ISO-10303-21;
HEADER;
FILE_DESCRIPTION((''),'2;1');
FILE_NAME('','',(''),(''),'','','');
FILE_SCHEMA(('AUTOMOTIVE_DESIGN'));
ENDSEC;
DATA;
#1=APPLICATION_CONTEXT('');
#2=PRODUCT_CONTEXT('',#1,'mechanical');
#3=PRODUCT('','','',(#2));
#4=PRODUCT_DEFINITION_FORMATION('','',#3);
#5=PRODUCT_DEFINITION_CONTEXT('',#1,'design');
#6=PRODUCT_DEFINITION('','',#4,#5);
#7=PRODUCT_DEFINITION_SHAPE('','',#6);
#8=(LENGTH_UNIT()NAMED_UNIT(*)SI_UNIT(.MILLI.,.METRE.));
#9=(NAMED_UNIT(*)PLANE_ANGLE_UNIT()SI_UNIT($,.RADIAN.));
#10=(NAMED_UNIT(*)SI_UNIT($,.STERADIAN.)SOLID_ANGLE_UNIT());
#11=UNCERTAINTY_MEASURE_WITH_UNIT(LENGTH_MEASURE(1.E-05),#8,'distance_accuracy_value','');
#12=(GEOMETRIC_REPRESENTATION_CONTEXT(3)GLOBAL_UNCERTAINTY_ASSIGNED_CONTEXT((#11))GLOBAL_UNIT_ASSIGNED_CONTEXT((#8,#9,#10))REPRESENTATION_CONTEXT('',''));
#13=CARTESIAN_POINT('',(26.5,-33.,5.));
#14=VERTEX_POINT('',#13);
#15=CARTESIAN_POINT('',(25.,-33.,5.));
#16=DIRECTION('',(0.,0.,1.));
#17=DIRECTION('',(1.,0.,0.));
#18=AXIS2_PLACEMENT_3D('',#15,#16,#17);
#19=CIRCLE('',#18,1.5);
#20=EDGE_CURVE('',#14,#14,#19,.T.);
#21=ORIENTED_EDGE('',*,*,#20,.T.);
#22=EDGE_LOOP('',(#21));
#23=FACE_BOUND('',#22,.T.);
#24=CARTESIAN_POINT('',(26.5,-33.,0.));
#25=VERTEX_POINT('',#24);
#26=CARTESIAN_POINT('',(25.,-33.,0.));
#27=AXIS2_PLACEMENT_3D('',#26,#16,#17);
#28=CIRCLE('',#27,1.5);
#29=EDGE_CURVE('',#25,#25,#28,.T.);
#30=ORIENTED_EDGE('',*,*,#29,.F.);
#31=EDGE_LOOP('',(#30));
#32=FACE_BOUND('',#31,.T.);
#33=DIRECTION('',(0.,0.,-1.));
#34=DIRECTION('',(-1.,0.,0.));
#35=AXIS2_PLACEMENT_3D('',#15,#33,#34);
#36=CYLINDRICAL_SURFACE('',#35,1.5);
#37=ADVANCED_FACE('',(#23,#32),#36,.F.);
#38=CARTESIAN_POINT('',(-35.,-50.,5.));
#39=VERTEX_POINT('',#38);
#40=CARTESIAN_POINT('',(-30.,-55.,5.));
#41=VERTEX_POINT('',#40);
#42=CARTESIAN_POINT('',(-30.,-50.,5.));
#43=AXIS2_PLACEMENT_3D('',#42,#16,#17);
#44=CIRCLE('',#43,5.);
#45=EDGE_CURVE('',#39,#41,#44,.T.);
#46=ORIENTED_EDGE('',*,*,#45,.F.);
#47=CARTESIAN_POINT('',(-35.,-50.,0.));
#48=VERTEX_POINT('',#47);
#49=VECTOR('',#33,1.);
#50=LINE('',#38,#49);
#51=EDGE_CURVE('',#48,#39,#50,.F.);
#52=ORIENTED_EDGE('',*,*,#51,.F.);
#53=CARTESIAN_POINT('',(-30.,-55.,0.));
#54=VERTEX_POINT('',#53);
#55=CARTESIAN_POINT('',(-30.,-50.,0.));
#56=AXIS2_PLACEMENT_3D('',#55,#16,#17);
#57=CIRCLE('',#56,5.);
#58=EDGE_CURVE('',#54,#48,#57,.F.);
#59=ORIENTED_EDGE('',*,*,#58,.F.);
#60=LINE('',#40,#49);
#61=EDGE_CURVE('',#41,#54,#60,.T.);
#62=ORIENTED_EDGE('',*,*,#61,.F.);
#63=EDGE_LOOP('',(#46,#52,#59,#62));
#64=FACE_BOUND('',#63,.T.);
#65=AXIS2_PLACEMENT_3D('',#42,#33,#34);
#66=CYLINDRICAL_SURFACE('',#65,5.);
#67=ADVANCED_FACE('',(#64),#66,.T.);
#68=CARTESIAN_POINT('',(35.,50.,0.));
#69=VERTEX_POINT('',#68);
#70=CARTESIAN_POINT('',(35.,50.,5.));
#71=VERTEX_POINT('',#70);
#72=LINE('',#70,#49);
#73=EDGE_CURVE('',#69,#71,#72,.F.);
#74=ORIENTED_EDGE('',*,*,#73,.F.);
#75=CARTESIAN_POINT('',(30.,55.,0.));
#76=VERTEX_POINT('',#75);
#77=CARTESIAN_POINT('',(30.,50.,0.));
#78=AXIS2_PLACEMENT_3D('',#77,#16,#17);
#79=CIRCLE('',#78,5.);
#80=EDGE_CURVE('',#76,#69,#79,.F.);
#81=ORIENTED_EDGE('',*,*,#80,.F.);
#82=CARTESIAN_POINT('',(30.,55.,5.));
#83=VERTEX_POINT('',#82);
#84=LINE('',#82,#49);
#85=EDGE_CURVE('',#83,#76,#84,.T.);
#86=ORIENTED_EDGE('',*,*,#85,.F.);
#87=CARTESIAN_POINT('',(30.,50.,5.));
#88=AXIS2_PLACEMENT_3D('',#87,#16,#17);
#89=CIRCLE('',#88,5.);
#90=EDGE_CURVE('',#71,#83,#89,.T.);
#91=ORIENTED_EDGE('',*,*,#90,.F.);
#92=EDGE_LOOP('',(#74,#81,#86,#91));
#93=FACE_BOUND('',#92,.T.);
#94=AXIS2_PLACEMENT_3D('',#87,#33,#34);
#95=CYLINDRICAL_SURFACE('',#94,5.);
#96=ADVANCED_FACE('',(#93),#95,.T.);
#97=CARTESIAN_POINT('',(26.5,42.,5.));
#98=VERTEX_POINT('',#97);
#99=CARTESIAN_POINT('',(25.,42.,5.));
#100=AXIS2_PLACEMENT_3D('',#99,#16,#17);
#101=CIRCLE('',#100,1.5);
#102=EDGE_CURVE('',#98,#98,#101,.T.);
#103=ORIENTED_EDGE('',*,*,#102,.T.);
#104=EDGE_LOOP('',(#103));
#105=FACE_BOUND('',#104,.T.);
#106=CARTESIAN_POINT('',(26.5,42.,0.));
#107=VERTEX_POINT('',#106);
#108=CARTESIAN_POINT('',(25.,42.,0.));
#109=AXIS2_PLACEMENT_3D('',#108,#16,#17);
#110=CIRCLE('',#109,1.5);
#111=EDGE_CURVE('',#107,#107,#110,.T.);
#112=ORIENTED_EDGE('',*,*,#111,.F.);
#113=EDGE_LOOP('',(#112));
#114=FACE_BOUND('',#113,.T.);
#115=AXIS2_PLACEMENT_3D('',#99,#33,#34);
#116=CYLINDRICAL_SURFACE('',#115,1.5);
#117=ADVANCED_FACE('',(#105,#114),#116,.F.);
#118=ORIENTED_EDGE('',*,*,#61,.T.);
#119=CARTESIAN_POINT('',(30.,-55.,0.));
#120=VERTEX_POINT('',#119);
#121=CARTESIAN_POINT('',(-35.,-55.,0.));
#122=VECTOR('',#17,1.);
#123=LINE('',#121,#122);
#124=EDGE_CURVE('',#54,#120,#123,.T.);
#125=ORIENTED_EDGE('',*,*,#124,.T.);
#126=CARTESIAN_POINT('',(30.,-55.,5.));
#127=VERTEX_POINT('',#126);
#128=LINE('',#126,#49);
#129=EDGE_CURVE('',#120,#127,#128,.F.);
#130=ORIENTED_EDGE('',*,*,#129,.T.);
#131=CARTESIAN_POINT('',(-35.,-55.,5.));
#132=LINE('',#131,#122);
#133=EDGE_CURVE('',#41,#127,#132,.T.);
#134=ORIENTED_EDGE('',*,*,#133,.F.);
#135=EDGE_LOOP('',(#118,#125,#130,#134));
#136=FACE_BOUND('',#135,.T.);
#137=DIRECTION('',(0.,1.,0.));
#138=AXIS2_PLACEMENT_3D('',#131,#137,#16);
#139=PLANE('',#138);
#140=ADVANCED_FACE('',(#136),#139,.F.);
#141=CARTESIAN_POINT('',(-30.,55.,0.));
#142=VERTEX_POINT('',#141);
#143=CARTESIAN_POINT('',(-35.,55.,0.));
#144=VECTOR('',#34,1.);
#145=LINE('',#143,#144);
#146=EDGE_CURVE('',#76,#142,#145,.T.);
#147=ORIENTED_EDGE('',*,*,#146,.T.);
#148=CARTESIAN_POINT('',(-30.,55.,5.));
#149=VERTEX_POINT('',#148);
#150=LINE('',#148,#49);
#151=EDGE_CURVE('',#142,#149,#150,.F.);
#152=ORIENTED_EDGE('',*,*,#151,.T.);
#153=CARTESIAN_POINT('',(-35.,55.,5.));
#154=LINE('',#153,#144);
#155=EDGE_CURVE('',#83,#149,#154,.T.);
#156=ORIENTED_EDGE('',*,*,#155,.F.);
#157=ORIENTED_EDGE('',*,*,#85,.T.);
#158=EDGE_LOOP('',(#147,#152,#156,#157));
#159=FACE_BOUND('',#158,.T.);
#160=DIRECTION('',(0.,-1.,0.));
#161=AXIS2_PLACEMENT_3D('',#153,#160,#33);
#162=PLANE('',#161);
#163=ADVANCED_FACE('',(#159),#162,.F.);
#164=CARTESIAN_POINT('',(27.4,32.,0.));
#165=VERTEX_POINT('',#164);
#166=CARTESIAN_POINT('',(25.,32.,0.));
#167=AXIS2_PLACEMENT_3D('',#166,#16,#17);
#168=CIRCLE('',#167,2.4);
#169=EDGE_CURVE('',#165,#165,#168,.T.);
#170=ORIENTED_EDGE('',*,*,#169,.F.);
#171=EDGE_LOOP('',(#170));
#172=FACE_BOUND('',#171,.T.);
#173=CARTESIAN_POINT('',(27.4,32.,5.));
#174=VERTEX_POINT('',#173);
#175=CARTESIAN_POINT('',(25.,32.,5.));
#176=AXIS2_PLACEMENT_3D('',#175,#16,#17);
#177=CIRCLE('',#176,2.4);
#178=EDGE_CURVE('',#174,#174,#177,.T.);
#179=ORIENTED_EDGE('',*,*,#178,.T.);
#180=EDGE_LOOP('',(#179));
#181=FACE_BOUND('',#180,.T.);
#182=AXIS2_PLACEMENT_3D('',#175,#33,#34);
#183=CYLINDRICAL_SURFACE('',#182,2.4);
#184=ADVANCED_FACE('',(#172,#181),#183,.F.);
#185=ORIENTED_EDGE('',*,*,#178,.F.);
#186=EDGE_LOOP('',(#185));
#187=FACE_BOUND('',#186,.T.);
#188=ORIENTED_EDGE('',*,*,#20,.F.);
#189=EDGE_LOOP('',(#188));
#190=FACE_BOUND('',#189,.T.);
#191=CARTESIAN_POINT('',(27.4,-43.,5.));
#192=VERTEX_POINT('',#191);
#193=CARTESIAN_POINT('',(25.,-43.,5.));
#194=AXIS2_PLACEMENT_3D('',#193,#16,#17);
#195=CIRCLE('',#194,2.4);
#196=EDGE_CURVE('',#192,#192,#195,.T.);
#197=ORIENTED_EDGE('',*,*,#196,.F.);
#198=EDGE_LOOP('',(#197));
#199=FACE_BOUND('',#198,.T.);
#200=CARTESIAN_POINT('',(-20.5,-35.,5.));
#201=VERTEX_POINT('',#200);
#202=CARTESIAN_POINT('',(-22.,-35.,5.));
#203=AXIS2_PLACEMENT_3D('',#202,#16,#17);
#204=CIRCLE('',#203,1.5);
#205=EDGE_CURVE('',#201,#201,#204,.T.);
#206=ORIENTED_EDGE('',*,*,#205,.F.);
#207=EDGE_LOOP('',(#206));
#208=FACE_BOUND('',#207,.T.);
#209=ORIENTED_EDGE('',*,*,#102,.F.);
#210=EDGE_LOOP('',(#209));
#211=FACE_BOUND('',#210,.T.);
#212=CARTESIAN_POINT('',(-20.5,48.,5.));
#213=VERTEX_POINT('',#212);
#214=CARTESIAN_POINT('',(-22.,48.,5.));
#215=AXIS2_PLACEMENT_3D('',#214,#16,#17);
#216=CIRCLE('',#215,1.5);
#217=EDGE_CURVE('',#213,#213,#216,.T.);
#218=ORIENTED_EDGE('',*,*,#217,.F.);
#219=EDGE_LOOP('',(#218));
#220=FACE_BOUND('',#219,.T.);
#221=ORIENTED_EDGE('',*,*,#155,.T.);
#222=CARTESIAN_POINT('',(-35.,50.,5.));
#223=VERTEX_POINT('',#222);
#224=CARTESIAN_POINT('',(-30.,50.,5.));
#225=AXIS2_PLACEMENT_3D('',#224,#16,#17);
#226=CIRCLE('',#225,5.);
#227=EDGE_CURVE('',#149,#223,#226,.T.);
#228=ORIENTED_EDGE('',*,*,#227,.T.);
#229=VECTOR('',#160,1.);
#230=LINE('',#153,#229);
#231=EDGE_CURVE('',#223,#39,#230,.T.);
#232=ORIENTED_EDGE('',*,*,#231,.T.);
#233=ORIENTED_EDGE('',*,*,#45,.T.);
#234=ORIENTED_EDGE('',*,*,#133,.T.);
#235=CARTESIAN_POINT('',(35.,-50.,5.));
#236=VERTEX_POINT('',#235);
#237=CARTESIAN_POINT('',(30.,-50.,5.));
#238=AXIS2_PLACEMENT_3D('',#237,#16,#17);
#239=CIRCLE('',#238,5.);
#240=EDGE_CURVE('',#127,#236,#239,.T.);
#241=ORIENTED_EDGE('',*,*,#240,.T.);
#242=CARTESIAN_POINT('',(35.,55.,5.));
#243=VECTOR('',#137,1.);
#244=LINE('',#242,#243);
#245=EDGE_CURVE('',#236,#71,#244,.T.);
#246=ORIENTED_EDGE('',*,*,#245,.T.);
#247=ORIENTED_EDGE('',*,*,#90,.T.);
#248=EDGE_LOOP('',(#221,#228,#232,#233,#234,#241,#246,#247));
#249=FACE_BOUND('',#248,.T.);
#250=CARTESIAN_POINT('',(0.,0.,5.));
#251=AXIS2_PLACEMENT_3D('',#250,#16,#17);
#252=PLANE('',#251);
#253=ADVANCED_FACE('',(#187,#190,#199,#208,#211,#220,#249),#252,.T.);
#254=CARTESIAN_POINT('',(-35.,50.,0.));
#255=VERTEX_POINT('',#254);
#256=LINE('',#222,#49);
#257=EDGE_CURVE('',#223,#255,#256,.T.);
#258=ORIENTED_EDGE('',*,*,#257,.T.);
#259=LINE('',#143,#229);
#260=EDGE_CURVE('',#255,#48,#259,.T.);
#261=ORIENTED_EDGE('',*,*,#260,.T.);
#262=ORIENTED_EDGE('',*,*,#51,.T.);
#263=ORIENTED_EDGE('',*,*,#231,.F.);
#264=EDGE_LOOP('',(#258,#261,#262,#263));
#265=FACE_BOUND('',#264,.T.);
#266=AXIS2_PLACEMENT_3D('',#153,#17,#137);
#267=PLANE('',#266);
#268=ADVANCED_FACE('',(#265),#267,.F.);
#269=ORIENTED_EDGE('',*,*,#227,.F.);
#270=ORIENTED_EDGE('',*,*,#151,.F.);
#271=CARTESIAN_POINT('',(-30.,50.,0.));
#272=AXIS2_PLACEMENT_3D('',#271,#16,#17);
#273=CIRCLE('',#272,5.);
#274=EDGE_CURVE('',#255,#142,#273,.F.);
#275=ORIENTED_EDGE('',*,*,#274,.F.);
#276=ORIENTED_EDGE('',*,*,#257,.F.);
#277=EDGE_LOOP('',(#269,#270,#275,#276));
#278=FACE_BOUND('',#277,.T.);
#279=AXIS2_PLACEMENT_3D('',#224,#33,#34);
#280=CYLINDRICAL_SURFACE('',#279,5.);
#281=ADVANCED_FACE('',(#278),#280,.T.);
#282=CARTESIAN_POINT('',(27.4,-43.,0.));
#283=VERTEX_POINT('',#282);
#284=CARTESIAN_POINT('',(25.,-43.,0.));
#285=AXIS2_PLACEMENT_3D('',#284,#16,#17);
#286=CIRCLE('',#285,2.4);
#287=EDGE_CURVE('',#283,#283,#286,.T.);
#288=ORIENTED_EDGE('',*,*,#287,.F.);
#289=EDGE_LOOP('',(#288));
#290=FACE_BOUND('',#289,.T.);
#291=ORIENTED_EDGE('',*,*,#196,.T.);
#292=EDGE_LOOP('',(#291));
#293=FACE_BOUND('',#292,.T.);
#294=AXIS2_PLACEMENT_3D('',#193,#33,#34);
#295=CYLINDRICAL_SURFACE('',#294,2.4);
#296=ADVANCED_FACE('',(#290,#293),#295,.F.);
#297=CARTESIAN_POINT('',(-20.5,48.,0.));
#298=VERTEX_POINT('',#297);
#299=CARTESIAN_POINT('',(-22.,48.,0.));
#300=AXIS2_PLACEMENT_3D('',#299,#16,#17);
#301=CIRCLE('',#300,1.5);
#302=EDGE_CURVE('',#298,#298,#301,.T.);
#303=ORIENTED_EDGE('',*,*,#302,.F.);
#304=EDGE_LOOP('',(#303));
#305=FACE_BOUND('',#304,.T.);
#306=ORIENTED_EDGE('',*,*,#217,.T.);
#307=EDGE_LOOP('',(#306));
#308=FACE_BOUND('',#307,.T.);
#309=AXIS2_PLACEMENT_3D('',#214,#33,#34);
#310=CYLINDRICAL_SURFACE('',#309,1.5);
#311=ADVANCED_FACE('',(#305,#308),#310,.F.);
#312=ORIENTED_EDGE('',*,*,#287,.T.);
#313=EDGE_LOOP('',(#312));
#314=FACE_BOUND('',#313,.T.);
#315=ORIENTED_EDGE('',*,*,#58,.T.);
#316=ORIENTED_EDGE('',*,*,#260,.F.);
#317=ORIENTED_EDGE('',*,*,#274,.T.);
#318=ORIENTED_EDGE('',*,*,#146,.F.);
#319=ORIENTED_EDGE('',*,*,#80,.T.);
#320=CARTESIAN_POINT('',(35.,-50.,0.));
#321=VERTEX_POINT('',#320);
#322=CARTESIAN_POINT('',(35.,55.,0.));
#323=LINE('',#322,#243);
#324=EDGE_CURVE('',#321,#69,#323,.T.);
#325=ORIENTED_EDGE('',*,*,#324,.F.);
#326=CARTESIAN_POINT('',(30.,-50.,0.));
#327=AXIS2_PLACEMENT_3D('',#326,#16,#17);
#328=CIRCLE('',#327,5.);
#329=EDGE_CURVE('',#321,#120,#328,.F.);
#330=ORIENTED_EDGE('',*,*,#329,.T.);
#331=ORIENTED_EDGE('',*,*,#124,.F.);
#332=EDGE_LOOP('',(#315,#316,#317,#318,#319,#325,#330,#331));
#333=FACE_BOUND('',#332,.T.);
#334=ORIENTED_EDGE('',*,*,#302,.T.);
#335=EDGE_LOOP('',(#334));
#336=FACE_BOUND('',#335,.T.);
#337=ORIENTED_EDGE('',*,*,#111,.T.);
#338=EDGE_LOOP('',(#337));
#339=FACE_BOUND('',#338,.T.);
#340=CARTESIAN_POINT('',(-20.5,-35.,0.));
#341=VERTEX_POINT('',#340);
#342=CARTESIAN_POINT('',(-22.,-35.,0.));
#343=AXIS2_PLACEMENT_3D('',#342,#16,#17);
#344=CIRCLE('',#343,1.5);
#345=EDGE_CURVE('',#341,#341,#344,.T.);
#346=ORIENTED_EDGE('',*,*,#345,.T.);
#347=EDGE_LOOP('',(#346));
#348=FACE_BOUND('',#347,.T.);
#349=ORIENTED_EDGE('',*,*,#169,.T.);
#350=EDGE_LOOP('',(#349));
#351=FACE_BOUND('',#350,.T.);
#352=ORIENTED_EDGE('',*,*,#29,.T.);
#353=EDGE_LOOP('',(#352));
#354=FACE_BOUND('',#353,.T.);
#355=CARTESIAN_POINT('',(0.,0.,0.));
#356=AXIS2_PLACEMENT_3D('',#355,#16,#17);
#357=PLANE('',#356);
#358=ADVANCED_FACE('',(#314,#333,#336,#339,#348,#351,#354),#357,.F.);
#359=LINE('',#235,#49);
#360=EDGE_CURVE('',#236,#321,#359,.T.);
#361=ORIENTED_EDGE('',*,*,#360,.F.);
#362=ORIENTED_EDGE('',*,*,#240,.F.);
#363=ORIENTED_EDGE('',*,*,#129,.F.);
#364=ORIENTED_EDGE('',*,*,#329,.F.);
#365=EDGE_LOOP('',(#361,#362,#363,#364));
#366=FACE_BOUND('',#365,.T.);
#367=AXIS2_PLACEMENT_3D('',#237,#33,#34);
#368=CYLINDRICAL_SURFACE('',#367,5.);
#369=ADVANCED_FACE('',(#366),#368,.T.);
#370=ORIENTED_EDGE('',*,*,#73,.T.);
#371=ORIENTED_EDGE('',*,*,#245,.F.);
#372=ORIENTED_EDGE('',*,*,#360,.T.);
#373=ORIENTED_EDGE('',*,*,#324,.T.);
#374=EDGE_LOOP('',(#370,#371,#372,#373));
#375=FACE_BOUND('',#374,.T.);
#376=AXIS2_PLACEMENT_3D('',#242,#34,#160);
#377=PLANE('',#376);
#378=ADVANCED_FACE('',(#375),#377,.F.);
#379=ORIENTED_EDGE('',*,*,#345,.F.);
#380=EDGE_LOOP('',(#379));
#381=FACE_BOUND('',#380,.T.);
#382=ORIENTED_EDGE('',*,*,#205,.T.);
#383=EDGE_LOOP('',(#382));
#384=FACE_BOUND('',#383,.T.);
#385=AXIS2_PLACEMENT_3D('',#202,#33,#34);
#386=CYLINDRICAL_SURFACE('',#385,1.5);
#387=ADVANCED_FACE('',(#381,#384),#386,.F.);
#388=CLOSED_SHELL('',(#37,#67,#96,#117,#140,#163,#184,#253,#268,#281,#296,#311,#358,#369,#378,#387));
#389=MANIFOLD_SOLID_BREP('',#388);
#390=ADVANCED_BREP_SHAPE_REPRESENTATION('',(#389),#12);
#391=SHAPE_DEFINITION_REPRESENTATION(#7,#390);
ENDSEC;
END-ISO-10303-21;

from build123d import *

# Parameters (mm, degrees)
SKETCH1_W           = 70
SKETCH1_H           = 110
SKETCH1_R           = 1.5
SKETCH1_R_2         = 2.4
BOSS_EXTRUDE1_DEPTH = 5
FILLET1_R           = 5


with BuildPart() as part:
    # Sketch1 → Boss-Extrude1 (new body)
    with BuildSketch(Plane.XY):
        Rectangle(SKETCH1_W, SKETCH1_H)
        with Locations((25, 42)):
            Circle(SKETCH1_R, mode=Mode.SUBTRACT)
        with Locations((25, -33)):
            Circle(SKETCH1_R, mode=Mode.SUBTRACT)
        with Locations((25, 32)):
            Circle(SKETCH1_R_2, mode=Mode.SUBTRACT)
        with Locations((25, -43)):
            Circle(SKETCH1_R_2, mode=Mode.SUBTRACT)
        with Locations((-22, 48)):
            Circle(SKETCH1_R, mode=Mode.SUBTRACT)
        with Locations((-22, -35)):
            Circle(SKETCH1_R, mode=Mode.SUBTRACT)
    extrude(amount=BOSS_EXTRUDE1_DEPTH)

    # Fillet1
    fillet1_edges = [part.edges().sort_by_distance(p)[0] for p in [
        (35, -55, 2.5),
        (-35, -55, 2.5),
        (-35, 55, 2.5),
        (35, 55, 2.5),
    ]]
    fillet(fillet1_edges, radius=FILLET1_R)


solid = part.part
